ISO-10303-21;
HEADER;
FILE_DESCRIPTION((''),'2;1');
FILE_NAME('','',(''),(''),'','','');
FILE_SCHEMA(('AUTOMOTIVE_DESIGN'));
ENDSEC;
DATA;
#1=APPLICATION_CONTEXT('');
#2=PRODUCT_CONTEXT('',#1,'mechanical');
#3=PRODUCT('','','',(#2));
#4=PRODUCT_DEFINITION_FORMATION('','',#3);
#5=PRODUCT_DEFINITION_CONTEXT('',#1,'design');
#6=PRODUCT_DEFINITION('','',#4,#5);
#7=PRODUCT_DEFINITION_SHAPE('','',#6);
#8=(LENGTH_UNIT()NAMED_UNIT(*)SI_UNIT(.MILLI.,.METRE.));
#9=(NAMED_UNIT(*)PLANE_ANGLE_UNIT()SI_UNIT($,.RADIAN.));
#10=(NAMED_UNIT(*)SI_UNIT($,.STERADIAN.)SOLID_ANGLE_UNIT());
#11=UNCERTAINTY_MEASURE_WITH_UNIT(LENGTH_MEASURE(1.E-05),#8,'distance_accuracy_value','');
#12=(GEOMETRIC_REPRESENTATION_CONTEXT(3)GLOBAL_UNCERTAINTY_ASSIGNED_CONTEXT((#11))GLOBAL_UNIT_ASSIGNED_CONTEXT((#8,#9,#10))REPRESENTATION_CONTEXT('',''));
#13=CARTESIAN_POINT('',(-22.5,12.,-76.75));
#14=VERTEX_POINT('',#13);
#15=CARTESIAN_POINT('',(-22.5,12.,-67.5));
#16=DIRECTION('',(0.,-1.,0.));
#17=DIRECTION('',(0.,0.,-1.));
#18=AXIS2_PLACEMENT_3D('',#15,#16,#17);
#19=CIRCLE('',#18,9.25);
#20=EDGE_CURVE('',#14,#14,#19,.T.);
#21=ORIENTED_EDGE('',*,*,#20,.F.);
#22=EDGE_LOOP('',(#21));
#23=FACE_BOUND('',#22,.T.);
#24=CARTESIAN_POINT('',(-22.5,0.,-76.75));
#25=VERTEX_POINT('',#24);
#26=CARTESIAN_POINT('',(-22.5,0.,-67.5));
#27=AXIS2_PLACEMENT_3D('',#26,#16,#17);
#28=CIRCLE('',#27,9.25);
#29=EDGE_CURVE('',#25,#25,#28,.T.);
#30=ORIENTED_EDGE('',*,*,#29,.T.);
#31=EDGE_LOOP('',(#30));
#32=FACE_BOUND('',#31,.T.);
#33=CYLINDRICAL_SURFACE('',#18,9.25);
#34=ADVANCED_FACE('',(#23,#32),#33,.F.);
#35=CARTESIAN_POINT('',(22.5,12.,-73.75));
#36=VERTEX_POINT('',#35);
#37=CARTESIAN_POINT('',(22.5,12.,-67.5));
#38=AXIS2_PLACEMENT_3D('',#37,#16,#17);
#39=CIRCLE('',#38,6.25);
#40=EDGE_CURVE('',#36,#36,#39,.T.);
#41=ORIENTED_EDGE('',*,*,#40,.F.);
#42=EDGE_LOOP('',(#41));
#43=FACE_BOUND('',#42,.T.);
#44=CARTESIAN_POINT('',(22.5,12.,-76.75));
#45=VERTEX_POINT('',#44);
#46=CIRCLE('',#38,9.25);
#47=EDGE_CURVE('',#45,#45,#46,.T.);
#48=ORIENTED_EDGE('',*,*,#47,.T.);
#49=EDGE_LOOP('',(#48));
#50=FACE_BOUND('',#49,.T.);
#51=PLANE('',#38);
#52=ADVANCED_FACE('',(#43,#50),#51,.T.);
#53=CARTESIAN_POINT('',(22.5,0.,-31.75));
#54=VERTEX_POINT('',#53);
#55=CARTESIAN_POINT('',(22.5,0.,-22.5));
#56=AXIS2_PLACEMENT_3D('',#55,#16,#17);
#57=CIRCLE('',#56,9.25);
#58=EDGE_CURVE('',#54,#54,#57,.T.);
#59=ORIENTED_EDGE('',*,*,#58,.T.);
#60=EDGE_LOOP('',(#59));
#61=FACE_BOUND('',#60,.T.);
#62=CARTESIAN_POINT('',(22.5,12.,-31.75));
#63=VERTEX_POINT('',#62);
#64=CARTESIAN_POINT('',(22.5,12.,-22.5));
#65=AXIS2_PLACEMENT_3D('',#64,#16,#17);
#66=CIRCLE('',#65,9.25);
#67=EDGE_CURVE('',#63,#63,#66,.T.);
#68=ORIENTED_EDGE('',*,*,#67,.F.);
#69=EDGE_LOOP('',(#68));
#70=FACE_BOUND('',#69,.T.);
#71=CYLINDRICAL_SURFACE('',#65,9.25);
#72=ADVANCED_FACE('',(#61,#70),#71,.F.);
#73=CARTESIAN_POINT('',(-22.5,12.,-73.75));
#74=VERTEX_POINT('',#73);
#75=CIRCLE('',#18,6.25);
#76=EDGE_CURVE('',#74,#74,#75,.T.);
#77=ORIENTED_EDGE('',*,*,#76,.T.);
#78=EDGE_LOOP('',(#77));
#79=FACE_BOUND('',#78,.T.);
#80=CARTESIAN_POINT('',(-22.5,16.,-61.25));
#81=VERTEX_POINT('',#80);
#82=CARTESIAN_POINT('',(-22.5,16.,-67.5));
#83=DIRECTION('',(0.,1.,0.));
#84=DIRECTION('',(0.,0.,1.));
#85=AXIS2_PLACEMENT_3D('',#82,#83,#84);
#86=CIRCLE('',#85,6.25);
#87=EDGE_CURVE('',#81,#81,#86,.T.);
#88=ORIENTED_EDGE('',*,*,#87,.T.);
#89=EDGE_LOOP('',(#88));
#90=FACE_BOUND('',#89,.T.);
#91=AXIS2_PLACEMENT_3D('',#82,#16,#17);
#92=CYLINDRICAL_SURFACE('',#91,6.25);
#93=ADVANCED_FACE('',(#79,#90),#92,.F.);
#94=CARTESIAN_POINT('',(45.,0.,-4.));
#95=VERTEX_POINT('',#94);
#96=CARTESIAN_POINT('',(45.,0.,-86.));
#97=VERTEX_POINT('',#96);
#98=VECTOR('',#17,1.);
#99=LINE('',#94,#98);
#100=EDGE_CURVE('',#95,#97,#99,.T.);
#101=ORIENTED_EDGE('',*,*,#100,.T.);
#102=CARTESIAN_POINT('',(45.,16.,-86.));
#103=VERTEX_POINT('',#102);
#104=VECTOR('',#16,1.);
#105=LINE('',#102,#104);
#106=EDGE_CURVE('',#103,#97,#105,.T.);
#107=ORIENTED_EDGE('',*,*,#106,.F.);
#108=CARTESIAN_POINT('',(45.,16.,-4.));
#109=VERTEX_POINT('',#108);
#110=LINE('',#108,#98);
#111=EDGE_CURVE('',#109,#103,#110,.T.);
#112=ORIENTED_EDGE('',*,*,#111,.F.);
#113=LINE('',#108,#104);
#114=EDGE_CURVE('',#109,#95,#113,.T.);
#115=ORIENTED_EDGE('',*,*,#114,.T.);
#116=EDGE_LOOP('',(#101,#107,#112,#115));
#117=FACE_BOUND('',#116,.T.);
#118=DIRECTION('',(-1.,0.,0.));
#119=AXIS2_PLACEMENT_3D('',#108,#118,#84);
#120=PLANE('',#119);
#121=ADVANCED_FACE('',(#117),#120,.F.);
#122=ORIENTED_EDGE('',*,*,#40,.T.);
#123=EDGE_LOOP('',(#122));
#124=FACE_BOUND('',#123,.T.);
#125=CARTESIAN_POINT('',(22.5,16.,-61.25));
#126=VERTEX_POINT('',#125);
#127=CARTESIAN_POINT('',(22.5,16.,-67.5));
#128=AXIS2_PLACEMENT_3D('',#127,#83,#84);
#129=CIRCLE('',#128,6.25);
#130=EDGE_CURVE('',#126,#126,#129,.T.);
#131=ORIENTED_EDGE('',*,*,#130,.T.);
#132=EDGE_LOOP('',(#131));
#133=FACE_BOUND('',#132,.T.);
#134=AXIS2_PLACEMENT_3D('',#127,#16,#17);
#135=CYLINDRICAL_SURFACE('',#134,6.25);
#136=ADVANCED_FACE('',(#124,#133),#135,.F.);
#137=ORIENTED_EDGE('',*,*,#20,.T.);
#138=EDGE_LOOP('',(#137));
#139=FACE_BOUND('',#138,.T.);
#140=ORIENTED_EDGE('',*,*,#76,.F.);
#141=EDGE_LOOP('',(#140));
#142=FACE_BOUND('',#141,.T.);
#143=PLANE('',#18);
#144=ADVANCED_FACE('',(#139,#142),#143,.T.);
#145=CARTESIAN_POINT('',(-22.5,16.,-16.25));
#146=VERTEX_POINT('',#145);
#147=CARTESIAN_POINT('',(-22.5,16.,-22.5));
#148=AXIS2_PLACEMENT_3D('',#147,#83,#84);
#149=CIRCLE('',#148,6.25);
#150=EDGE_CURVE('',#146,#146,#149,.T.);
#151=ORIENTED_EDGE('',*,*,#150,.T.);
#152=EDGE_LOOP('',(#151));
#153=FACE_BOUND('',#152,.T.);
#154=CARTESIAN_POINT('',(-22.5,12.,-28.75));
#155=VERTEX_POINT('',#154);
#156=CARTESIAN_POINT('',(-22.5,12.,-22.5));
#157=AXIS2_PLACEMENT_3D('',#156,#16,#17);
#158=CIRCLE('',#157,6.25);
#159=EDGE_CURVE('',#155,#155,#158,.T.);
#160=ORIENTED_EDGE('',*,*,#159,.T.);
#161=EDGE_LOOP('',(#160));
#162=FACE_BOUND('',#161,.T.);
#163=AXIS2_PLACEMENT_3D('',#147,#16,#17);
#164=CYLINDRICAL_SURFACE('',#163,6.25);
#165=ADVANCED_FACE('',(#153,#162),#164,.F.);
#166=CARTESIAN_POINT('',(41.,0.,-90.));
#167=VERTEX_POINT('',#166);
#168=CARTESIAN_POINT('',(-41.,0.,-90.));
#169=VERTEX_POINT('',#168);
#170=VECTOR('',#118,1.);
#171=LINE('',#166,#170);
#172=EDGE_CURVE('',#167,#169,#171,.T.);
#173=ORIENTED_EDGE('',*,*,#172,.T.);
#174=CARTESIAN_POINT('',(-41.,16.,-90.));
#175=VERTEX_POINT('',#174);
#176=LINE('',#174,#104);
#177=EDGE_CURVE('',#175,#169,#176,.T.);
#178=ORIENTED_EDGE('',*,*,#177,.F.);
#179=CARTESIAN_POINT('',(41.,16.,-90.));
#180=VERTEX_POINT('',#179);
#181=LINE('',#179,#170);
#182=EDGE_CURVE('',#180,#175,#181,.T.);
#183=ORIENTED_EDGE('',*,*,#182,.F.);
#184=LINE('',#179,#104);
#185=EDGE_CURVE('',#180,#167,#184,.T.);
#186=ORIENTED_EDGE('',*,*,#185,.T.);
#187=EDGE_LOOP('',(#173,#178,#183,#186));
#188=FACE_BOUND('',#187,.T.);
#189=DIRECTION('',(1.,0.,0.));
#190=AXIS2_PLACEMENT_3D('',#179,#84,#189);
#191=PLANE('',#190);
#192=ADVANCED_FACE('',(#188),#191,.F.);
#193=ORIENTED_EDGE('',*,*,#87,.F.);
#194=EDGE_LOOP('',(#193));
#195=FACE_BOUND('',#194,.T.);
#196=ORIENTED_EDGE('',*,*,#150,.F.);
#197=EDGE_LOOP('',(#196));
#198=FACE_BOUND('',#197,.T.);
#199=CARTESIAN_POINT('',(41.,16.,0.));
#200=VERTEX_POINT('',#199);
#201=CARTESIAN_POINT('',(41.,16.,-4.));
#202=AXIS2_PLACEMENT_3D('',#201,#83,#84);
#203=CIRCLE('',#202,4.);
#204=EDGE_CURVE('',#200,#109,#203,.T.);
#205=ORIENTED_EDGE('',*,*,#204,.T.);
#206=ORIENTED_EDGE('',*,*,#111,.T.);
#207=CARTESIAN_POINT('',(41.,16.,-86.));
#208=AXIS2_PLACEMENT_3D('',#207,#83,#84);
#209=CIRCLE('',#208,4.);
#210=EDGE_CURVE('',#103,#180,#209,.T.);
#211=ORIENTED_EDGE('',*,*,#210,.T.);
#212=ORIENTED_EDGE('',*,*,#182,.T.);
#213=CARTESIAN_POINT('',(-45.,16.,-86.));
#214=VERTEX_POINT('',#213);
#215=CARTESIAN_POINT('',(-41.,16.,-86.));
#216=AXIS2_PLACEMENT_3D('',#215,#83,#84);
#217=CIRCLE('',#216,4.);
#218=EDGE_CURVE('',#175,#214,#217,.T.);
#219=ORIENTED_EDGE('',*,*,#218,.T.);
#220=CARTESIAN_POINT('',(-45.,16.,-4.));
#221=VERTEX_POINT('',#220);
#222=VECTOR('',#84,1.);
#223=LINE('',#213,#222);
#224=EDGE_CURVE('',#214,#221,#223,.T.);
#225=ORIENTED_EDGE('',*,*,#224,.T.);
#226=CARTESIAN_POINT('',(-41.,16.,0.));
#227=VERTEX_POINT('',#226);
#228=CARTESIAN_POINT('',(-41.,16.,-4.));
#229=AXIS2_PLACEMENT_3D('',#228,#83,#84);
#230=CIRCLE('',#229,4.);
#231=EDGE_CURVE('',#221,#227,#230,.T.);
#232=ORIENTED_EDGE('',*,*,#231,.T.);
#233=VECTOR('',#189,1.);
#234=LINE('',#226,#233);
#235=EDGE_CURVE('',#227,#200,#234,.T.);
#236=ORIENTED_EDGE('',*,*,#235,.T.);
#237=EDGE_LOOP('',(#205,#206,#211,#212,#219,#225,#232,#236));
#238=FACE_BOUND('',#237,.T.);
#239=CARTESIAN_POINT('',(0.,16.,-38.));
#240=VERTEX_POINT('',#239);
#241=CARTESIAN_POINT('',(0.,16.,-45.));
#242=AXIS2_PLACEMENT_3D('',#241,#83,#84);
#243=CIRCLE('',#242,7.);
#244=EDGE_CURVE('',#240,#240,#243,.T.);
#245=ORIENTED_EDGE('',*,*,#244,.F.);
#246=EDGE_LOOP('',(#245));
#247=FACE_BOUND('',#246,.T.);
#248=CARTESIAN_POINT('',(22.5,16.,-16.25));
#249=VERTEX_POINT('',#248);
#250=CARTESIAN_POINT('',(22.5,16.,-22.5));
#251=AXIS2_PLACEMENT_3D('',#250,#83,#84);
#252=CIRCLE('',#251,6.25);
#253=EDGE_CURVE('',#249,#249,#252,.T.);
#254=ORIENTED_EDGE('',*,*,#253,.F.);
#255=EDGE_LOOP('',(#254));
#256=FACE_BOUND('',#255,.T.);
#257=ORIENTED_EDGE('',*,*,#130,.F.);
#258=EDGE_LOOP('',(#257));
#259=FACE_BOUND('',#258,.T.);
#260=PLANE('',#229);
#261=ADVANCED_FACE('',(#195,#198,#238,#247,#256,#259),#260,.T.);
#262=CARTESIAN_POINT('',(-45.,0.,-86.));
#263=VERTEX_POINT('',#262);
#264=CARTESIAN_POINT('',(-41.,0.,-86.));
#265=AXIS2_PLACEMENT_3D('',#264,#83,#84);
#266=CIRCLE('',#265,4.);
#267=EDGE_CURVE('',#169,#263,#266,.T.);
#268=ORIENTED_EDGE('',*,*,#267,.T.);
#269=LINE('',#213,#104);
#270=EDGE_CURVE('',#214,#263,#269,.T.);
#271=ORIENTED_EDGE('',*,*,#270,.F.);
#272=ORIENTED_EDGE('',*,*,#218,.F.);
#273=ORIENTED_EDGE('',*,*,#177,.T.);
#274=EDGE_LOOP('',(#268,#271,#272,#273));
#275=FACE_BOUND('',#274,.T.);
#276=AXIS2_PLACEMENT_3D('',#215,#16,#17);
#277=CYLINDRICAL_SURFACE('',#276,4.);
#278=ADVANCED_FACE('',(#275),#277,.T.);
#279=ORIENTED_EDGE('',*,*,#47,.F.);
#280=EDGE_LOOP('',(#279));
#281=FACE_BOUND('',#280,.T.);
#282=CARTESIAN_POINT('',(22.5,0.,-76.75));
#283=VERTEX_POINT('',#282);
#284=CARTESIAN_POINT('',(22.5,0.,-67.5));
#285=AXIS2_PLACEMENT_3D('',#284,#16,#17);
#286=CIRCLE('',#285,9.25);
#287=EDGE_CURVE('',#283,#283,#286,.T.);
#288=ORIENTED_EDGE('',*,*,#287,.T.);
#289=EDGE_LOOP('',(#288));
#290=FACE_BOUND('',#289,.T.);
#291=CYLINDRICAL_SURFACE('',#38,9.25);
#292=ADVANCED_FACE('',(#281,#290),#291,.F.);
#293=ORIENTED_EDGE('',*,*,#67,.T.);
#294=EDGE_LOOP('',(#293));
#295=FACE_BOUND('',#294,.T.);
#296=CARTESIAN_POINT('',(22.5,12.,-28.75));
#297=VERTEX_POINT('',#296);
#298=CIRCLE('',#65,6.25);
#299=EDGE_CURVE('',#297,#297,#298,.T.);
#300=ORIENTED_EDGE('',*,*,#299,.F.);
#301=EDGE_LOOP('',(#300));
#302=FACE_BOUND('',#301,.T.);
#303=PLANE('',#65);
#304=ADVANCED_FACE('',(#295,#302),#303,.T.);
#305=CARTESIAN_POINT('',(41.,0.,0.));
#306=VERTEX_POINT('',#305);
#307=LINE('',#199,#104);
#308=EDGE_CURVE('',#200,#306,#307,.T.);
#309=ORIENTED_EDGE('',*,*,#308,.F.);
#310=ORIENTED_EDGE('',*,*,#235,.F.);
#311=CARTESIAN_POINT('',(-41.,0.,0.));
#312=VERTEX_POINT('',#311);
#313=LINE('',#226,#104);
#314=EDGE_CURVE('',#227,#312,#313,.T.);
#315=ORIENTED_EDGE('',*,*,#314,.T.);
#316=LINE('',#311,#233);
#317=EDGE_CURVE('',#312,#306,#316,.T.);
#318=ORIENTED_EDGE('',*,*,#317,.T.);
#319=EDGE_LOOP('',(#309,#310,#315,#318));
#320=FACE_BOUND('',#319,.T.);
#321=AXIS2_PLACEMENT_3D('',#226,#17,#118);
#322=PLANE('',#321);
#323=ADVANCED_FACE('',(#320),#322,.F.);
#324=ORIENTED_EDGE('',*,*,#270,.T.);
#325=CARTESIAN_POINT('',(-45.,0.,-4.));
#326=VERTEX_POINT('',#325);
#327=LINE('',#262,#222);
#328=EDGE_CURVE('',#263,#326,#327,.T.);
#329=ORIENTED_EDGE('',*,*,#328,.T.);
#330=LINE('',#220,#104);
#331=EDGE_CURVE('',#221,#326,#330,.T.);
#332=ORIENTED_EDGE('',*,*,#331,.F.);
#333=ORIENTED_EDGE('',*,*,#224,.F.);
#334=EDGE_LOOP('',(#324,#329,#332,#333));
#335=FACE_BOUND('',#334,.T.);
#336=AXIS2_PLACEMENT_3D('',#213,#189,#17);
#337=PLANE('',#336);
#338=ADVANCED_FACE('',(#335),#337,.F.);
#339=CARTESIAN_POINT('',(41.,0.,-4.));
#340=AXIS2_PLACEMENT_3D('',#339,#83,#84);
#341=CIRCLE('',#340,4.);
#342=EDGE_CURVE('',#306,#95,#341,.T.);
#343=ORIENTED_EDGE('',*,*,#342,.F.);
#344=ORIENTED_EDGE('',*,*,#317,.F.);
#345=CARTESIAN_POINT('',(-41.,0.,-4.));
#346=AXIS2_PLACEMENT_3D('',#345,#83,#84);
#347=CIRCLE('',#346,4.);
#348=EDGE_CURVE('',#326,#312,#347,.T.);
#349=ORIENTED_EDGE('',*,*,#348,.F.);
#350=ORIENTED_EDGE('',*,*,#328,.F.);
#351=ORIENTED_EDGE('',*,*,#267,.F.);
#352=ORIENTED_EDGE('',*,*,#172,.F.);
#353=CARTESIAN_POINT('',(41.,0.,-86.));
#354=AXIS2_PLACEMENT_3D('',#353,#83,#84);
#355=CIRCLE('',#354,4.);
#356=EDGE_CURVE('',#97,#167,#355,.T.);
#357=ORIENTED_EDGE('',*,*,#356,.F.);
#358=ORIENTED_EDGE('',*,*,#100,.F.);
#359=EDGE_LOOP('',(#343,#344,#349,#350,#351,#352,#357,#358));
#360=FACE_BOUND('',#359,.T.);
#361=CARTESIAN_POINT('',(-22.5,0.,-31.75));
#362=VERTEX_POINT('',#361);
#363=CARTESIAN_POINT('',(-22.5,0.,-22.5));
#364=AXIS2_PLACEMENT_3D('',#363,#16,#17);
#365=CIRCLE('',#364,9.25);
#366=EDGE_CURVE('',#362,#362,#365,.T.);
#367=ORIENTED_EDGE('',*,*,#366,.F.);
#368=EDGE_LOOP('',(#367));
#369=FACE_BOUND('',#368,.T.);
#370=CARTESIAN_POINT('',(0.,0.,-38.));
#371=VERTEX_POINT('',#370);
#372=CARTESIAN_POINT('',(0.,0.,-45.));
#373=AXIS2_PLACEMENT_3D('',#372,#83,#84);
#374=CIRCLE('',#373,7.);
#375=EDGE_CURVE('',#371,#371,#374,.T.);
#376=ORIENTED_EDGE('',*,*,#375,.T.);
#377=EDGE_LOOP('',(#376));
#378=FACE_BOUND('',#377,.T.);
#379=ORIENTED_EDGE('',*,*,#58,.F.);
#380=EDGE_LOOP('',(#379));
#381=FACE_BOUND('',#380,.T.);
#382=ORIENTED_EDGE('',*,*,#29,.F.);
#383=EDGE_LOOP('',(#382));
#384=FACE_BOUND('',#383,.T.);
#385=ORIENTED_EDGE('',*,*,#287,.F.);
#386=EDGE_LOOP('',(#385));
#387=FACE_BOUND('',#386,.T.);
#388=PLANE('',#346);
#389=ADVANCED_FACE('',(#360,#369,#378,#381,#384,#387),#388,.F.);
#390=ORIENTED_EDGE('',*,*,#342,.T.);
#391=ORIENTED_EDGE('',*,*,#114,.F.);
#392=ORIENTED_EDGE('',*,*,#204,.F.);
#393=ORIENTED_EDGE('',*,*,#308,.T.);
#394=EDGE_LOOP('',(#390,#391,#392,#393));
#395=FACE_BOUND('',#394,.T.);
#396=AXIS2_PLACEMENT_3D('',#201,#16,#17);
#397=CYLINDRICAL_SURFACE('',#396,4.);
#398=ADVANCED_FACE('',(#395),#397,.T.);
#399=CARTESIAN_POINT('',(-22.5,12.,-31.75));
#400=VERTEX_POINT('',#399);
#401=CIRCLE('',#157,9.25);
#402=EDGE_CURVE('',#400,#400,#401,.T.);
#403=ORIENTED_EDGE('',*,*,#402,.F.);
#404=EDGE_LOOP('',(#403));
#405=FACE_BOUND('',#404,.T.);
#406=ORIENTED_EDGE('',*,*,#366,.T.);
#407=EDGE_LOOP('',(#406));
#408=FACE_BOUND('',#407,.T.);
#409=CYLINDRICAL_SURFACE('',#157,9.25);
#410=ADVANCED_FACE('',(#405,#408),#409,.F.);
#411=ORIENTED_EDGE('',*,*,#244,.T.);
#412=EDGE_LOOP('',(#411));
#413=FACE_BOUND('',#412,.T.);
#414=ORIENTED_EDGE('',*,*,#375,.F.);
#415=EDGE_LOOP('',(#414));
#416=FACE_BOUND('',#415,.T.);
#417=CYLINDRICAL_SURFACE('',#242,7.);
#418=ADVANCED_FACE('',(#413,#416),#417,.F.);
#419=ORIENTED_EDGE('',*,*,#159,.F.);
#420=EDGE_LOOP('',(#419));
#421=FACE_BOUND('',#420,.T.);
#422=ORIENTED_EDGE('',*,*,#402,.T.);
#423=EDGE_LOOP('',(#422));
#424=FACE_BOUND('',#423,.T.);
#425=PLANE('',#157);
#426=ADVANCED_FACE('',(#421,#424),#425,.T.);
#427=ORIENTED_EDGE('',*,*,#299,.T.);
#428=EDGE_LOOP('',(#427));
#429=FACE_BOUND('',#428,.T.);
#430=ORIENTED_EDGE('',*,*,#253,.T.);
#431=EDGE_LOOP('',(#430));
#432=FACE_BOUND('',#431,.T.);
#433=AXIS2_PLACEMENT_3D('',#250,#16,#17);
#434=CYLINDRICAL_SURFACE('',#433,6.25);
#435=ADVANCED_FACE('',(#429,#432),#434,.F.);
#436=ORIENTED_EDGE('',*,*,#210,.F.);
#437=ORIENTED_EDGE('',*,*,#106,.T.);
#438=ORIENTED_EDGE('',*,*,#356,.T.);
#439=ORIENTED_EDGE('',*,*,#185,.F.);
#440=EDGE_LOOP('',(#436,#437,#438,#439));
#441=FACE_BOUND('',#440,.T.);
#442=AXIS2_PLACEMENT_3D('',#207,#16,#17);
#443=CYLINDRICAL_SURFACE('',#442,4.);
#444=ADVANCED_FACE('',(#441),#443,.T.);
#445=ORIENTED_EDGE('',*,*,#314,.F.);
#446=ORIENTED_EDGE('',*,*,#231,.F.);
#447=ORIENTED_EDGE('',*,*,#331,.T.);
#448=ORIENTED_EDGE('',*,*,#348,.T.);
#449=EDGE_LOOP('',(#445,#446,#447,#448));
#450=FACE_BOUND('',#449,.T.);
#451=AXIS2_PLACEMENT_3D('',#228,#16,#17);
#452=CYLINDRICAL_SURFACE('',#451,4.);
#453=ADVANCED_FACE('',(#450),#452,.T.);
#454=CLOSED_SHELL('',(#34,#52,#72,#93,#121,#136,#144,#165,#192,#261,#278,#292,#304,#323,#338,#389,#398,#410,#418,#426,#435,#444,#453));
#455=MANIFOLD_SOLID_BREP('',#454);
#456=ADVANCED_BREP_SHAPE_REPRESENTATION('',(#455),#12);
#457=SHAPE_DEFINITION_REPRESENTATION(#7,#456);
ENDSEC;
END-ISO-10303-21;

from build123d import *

# Parameters (mm, degrees)
SKETCH_1_R              = 6.25
EXTRUDE_1_DEPTH         = 16
SKETCH_3_R              = 9.25
CUT_EXTRUDE_1_DEPTH     = 12
HOLE_WIZARD_M16_1_D     = 14
HOLE_WIZARD_M16_1_DEPTH = 38
HOLE_WIZARD_M16_1_TIP   = 4.206024333


with BuildPart() as part:
    # 草图1 → 凸台-拉伸1 (new body)
    with BuildSketch(Plane(origin=(0, 0, 0), x_dir=(1, 0, 0), z_dir=(0, 1, 0))):
        with BuildLine():
            Line((-41, 0), (41, 0))
            ThreePointArc((41, 0), (43.828427125, 1.171572875), (45, 4))
            Line((45, 4), (45, 86))
            ThreePointArc((45, 86), (43.828427125, 88.828427125), (41, 90))
            Line((41, 90), (-41, 90))
            ThreePointArc((-41, 90), (-43.828427125, 88.828427125), (-45, 86))
            Line((-45, 86), (-45, 4))
            ThreePointArc((-45, 4), (-43.828427125, 1.171572875), (-41, 0))
        make_face()
        with Locations(Location((22.5, 67.5, 0), (0, 0, 270))):
            Circle(SKETCH_1_R, mode=Mode.SUBTRACT)
        with Locations(Location((-22.5, 67.5, 0), (0, 0, 270))):
            Circle(SKETCH_1_R, mode=Mode.SUBTRACT)
        with Locations(Location((-22.5, 22.5, 0), (0, 0, 270))):
            Circle(SKETCH_1_R, mode=Mode.SUBTRACT)
        with Locations(Location((22.5, 22.5, 0), (0, 0, 270))):
            Circle(SKETCH_1_R, mode=Mode.SUBTRACT)
    extrude(amount=EXTRUDE_1_DEPTH)

    # 草图3 → 切除-拉伸1 (cut)
    with BuildSketch(Plane.XZ):
        with Locations(Location((22.5, -22.5, 0), (0, 0, 270))):
            Circle(SKETCH_3_R)
        with Locations(Location((22.5, -67.5, 0), (0, 0, 270))):
            Circle(SKETCH_3_R)
        with Locations(Location((-22.5, -67.5, 0), (0, 0, 270))):
            Circle(SKETCH_3_R)
        with Locations(Location((-22.5, -22.5, 0), (0, 0, 270))):
            Circle(SKETCH_3_R)
    extrude(amount=-CUT_EXTRUDE_1_DEPTH, mode=Mode.SUBTRACT)

    # M16 螺纹孔1
    with Locations(Plane(origin=(0, 16, -45), x_dir=(0, 0, 1), z_dir=(0, 1, 0))):
        with Locations((0, 0)):
            Hole(HOLE_WIZARD_M16_1_D / 2, depth=HOLE_WIZARD_M16_1_DEPTH)
            with Locations((0, 0, -(HOLE_WIZARD_M16_1_DEPTH + HOLE_WIZARD_M16_1_TIP / 2))):  # 118° drill point
                Cone(0, HOLE_WIZARD_M16_1_D / 2, HOLE_WIZARD_M16_1_TIP, mode=Mode.SUBTRACT)


solid = part.part
